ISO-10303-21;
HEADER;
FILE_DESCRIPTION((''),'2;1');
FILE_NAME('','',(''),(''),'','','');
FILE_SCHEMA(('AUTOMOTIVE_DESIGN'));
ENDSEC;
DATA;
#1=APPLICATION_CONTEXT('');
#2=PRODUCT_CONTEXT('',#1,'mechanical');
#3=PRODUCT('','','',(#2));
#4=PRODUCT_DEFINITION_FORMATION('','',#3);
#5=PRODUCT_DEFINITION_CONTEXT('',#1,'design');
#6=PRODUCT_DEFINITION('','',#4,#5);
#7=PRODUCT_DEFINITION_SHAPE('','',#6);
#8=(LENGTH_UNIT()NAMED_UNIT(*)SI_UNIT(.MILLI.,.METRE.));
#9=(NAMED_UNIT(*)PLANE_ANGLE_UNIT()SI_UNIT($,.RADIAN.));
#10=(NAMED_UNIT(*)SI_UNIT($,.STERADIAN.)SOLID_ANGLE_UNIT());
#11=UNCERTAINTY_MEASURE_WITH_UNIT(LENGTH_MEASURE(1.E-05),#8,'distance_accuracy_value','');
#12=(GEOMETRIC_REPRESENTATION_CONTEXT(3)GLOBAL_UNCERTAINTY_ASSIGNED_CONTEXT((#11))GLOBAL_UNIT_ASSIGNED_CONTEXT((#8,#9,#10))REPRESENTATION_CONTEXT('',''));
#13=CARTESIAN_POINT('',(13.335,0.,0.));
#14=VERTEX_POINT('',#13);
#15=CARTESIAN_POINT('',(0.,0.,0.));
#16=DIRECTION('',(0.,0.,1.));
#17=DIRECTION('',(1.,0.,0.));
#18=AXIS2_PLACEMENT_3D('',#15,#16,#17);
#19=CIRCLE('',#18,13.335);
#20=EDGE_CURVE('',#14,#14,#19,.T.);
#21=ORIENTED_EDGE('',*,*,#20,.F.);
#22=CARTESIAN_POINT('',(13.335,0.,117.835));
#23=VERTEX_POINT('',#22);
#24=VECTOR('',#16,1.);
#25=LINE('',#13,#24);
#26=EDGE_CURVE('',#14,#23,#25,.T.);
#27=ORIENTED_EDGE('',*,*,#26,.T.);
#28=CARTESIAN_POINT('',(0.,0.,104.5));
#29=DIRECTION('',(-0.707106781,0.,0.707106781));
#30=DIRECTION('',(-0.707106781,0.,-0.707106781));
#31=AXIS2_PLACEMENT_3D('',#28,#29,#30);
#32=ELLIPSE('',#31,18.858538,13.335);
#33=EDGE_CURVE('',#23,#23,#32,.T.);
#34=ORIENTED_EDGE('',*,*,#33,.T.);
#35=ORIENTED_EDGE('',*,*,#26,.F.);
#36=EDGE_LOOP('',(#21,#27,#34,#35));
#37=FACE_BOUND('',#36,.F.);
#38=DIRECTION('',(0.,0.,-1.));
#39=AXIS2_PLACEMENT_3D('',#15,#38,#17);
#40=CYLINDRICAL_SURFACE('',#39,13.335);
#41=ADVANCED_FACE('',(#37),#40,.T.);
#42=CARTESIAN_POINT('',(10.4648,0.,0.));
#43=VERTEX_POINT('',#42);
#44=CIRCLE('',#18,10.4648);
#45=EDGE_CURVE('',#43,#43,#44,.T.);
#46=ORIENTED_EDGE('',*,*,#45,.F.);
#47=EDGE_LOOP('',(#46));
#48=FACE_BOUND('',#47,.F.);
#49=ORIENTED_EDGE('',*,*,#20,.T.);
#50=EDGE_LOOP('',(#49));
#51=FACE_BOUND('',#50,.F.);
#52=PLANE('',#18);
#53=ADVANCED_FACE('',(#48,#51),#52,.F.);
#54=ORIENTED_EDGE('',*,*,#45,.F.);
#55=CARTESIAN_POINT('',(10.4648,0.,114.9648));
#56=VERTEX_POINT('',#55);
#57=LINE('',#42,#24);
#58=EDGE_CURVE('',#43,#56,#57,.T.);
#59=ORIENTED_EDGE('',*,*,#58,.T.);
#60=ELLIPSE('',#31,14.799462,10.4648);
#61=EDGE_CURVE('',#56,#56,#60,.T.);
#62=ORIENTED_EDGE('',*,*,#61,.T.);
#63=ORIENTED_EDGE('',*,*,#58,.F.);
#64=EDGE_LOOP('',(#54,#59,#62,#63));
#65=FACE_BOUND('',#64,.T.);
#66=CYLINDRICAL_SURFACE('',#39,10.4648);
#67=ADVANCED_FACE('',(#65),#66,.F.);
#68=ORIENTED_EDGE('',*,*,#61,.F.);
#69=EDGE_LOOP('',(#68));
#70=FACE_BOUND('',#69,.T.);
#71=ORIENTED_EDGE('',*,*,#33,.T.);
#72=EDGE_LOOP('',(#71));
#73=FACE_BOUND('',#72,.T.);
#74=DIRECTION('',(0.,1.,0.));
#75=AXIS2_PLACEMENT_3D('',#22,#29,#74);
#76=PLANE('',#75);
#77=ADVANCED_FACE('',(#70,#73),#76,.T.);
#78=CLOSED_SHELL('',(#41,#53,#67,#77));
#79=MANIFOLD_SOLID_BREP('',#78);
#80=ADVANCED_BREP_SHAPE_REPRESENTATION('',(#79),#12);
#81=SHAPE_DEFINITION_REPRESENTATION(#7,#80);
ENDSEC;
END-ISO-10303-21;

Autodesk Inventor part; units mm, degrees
ref_plane "Start Plane" through (0, 0, 0) normal (0, 0, 1) x (1, 0, 0)
ref_plane "End Plane" through (0, 0, 117.835) normal (0, 0, 1) x (1, 0, 0)
sketch "Sketch" plane through (0, 0, 0) normal (0, 0, 1) x (1, 0, 0)
  circle A0 centre (0, 0) radius 10.4648
  circle A1 centre (0, 0) radius 13.335
  dimension "d0" = 26.67
  dimension "d1" = 2.8702
extrude "Body" add sketch "Sketch" along normal up to surface (117.835 mm away) from surface at 0
sketch "Sketch3" plane through (0, 0, 0) normal (0, 0, 1) x (1, 0, 0)
  line L0 (0, 0) -> (10, 0)
ref_plane "Work Plane3" through (0, 0, 0) normal (0, -1, 0) x (1, 0, 0)
ref_plane "Work Plane4" through (13.335, 0, 117.835) normal (-0.7071, 0, 0.7071) x (0.7071, 0, 0.7071)
split "Split1" plane through (13.335, 0, 117.835) removes the side toward (-0.7071, 0, 0.7071)
sketch "Sketch4" plane through (0, 0, 0) normal (0, -1, 0) x (1, 0, 0)
  line L0 (-2, 0) -> (12, 0) projected
  line L1 (-2, 117.835) -> (12, 117.835) projected
  dimension "d7" = 117.835
equation "\"d0\" = G_H"
equation "\"d1\" = G_T"
equation "\"d2\" = G_L"
equation "\"G_H\" = 26.67"
equation "\"G_T\" = 2.8702"
equation "\"G_L\" = d7"
equation "\"G_OFFSET_START\" = 0"
equation "\"G_OFFSET_END\" = 13.335"
equation "\"d5\" = G_OFFSET_END + B_L"
equation "\"B_L\" = 104.5"
properties part number "ANSI - 3/4 x 0.113 - 4.639" material "Steel, Mild"
